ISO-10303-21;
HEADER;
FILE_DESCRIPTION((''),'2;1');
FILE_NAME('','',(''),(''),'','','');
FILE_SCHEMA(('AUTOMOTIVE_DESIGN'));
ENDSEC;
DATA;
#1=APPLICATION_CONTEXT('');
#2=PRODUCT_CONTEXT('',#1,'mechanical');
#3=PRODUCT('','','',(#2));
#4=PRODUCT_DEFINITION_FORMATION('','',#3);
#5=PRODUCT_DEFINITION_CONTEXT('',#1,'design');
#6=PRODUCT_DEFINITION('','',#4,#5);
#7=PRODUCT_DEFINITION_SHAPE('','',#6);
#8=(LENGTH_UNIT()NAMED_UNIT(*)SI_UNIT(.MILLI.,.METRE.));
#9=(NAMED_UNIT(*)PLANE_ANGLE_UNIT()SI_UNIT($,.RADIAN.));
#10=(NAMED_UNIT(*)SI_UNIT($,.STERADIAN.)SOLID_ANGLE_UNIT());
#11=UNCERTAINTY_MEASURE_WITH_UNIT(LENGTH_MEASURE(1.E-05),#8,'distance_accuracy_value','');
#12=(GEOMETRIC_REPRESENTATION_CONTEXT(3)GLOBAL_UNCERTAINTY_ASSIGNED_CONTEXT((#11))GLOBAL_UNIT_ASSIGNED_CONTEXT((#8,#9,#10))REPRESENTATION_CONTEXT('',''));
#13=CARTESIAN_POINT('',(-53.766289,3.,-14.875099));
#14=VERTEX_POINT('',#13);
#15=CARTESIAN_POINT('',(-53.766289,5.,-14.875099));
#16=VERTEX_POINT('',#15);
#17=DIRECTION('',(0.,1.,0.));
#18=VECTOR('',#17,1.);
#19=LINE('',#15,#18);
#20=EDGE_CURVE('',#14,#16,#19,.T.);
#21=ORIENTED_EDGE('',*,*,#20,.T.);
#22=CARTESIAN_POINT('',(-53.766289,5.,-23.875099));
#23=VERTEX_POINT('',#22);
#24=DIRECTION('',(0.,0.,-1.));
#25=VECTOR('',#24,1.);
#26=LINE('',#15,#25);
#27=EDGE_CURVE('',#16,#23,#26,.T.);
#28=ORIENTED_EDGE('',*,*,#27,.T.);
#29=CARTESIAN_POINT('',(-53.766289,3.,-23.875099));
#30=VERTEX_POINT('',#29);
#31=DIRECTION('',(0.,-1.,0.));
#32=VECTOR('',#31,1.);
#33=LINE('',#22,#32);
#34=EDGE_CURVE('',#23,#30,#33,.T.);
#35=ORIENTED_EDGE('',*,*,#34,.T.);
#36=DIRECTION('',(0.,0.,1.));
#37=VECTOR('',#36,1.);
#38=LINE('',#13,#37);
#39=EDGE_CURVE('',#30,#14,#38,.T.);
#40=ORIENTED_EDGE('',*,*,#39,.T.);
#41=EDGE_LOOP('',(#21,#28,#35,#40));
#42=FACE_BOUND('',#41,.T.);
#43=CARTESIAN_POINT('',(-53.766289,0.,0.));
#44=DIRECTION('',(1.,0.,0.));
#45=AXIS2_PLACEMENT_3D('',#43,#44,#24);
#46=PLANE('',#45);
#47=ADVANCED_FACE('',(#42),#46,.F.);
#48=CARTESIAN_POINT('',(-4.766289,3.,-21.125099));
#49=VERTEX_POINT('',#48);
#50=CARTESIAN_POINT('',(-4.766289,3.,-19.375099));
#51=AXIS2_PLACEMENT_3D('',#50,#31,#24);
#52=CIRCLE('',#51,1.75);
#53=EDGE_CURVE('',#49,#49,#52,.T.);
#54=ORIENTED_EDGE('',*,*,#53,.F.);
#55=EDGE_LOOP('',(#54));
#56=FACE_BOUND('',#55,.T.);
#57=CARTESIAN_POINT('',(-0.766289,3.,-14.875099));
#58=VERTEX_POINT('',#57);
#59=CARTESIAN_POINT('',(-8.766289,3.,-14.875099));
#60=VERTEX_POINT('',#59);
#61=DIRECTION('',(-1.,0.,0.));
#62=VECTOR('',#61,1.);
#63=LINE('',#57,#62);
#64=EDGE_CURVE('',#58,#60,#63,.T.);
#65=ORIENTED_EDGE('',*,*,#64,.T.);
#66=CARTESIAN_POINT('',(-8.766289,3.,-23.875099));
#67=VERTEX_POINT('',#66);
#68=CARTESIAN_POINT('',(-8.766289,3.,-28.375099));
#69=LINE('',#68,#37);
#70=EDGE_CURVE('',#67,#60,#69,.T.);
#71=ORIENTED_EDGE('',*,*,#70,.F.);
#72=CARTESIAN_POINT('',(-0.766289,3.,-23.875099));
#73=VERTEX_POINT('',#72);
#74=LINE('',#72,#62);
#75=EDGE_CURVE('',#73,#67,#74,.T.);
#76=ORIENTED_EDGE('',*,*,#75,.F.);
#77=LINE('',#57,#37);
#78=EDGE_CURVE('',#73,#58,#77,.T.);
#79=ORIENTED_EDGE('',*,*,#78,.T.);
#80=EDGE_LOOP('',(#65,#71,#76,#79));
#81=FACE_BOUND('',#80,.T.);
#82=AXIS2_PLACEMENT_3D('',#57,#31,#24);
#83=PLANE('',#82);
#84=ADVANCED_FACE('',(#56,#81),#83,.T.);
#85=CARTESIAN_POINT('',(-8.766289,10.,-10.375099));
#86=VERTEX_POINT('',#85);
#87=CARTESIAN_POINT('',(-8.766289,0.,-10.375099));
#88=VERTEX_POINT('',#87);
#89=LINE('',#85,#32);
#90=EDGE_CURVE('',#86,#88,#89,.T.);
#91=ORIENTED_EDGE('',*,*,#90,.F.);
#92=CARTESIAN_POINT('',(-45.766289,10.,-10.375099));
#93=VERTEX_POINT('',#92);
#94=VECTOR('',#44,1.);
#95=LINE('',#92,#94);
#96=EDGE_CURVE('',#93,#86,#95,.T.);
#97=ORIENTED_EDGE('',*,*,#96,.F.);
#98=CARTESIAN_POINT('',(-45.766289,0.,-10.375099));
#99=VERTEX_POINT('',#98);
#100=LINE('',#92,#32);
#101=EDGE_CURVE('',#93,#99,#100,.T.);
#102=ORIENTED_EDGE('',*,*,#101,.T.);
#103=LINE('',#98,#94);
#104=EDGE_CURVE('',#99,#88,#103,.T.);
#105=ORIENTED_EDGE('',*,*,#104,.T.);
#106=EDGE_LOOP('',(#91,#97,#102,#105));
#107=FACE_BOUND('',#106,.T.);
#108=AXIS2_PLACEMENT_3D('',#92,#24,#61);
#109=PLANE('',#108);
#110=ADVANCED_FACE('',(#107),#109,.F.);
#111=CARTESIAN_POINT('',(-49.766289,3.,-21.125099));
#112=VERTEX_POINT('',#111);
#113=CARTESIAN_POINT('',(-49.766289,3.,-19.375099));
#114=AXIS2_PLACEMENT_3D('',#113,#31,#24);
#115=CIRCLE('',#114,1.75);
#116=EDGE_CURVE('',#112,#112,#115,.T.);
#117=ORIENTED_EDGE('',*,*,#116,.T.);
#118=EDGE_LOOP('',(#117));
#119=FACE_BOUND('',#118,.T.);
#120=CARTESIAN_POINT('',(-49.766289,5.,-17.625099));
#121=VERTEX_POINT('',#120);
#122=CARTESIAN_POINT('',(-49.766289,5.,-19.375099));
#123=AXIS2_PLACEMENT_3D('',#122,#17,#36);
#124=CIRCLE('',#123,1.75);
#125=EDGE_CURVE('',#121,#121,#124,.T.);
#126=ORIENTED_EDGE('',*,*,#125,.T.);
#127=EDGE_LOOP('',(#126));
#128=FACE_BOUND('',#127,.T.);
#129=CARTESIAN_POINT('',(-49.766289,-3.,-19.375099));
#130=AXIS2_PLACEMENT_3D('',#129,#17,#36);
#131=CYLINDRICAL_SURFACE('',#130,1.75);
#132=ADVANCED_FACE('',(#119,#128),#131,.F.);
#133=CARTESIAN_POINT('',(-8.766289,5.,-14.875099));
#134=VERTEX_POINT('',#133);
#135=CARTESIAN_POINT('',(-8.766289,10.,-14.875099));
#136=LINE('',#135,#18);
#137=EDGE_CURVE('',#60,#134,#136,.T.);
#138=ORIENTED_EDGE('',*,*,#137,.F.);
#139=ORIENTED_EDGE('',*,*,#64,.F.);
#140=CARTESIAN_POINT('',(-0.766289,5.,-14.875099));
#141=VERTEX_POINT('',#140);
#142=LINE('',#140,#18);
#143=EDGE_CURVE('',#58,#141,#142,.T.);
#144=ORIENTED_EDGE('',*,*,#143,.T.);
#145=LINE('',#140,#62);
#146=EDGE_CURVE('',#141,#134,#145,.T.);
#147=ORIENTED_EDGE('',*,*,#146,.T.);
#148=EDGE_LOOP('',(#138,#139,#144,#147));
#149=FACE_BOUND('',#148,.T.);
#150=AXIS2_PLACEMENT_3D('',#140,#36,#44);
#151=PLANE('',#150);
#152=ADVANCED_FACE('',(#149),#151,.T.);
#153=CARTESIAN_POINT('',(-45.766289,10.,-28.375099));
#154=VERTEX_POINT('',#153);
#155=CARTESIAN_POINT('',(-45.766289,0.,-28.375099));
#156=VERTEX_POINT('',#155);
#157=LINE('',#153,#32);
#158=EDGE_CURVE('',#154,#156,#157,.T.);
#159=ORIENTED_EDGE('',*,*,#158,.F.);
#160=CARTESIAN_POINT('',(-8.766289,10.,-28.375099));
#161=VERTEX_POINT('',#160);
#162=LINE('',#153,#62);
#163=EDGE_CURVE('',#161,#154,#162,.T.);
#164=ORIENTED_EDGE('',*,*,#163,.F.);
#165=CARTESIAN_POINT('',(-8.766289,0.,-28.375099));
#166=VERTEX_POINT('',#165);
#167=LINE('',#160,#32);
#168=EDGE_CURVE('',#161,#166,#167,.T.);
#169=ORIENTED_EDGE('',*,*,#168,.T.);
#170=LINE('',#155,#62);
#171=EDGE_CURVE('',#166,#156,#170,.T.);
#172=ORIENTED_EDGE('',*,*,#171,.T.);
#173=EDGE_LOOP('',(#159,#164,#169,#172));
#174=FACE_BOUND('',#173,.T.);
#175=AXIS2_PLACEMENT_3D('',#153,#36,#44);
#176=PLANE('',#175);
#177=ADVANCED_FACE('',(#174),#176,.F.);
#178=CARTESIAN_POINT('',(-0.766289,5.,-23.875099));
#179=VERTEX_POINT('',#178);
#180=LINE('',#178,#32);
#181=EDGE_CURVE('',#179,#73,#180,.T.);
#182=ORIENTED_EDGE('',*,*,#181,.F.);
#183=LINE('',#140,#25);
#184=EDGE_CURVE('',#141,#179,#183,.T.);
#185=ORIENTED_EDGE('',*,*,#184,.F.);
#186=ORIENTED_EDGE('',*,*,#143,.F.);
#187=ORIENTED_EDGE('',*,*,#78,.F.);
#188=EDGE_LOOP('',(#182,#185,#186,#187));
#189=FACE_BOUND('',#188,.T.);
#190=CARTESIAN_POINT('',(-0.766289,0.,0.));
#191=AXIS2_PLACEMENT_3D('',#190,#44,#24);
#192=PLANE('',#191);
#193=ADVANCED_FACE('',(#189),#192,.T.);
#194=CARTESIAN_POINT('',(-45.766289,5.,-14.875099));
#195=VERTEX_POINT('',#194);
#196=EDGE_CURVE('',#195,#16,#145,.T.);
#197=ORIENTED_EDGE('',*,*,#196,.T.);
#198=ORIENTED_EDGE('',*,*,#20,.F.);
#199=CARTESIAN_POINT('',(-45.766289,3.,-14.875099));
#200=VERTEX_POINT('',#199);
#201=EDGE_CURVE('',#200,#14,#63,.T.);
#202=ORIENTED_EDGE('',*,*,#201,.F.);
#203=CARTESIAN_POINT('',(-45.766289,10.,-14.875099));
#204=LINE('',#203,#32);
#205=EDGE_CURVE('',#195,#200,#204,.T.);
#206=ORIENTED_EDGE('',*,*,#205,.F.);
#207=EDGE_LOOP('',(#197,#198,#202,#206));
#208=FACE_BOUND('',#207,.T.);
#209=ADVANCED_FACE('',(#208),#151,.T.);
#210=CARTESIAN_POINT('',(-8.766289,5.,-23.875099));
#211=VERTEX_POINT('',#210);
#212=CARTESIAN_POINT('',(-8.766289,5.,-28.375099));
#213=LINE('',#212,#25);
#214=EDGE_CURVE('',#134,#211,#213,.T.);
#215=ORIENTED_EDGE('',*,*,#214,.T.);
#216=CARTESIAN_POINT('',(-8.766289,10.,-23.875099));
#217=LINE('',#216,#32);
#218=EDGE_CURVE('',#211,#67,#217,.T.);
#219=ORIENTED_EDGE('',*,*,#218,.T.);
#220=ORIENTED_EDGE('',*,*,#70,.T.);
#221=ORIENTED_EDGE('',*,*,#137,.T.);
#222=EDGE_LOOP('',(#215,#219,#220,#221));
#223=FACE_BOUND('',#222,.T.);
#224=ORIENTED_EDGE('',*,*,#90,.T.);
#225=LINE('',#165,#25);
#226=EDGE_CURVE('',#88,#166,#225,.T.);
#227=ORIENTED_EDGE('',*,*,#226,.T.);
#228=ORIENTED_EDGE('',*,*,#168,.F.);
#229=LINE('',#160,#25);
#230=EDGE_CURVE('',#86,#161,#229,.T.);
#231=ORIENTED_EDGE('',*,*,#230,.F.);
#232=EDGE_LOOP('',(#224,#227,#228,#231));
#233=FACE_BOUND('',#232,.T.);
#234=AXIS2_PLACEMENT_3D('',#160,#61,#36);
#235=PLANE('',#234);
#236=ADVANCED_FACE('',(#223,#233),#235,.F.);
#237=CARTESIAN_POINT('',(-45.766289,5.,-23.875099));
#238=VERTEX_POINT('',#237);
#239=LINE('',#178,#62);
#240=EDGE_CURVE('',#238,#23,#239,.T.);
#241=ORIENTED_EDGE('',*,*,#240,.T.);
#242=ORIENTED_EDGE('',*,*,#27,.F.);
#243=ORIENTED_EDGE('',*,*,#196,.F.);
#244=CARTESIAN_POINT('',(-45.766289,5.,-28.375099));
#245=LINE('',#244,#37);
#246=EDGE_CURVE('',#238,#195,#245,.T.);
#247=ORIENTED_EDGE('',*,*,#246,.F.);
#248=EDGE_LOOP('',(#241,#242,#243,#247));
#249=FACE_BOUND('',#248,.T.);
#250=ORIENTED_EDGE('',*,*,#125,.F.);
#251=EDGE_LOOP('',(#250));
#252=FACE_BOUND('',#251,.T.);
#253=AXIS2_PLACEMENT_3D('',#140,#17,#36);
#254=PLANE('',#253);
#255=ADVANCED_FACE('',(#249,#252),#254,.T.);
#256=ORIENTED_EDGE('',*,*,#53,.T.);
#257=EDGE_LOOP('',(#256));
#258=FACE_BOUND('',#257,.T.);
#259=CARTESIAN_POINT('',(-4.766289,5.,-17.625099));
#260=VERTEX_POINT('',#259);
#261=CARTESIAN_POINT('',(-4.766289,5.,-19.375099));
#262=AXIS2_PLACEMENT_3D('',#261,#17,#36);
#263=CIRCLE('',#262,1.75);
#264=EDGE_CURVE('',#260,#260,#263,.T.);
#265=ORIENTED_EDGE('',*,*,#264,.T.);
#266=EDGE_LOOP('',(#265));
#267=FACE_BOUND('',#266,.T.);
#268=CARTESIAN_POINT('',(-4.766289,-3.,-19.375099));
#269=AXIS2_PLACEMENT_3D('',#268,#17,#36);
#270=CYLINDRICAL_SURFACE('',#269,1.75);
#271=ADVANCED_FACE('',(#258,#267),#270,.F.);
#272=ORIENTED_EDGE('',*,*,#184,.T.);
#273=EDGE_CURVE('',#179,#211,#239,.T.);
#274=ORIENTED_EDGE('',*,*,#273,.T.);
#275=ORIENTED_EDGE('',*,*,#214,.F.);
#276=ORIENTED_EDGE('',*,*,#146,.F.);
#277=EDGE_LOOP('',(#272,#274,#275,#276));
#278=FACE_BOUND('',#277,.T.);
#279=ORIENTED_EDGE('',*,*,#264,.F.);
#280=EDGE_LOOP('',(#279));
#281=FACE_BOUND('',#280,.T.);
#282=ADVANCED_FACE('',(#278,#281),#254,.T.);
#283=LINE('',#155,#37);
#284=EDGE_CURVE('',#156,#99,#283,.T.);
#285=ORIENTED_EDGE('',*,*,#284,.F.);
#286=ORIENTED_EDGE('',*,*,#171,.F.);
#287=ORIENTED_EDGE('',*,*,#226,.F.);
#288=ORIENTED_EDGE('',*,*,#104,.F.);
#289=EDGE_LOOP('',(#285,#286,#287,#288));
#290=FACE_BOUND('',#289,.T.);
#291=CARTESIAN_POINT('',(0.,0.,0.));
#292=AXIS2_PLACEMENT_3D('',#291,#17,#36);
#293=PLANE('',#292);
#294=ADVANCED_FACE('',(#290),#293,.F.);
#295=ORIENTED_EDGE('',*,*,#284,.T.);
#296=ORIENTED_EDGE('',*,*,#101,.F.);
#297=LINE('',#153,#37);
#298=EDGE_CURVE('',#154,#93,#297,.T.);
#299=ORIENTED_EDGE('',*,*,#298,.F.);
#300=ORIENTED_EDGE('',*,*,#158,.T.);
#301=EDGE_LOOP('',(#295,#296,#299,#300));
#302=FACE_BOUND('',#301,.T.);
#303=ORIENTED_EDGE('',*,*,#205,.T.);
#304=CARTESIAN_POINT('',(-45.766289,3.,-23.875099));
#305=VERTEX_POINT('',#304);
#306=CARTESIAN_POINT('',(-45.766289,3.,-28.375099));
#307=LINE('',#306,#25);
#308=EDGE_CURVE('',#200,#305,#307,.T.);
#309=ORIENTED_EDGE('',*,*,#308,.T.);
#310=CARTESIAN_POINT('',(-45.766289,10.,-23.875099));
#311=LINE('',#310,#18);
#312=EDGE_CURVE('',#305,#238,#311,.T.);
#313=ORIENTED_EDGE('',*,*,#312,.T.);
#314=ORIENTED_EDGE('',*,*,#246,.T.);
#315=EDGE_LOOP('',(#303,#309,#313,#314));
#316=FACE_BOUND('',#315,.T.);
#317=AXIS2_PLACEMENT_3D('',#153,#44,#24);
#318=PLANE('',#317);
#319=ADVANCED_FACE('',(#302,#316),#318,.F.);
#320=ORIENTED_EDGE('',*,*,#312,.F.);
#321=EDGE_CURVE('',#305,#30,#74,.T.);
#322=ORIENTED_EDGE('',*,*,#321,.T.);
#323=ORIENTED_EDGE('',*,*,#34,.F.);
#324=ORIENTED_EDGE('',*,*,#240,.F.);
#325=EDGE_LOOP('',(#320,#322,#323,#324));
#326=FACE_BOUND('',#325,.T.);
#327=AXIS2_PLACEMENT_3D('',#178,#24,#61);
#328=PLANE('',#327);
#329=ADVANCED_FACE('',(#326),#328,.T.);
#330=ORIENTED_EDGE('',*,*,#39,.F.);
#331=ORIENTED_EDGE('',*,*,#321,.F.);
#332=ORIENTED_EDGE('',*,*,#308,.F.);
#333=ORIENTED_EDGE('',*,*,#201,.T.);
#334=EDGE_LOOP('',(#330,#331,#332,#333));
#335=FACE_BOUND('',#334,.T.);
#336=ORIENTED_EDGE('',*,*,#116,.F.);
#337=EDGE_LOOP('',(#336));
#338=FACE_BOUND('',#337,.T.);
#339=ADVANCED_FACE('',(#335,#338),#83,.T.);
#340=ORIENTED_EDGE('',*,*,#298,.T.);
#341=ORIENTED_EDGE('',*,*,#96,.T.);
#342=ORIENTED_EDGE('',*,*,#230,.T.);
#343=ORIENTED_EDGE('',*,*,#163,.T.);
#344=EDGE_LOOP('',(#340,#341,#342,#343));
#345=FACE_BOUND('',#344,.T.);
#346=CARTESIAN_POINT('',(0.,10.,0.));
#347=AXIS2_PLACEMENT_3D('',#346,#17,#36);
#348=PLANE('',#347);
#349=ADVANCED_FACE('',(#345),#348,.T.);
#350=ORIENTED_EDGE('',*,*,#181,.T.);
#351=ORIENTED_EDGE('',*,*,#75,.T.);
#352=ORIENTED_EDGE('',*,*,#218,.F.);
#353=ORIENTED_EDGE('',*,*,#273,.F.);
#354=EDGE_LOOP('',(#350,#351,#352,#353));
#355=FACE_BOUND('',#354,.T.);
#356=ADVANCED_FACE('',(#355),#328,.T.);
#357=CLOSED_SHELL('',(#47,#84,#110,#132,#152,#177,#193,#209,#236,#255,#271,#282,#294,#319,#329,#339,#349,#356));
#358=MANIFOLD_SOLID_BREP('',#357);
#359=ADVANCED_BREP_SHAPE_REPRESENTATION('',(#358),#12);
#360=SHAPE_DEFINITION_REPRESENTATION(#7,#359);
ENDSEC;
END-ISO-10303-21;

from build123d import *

# Parameters (mm, degrees)
SKETCH_1_W           = 37
SKETCH_1_H           = 18
EXTRUDE_1_DEPTH      = 10
EXTRUDE_2_DEPTH      = 8
EXTRUDE_2_DEPTH_BACK = 45
SKETCH_2_W           = 9
SKETCH_2_H           = 2
SKETCH_3_R           = 1.75
CUT_EXTRUDE_1_DEPTH  = 8


with BuildPart() as part:
    # 草图1 → 凸台-拉伸1 (new body)
    with BuildSketch(Plane(origin=(0, 0, 0), x_dir=(1, 0, 0), z_dir=(0, 1, 0))):
        with Locations((-27.266289308, 19.375099371)):
            Rectangle(SKETCH_1_W, SKETCH_1_H)
    extrude(amount=EXTRUDE_1_DEPTH)

    # 草图2 → 凸台-拉伸2 (add, two sides: drawn at the far end of the back side and taken through both)
    with BuildSketch(Plane.ZY.offset(45.766289308).offset(-EXTRUDE_2_DEPTH_BACK)):
        with Locations((-19.375099371, 4)):
            Rectangle(SKETCH_2_W, SKETCH_2_H)
    extrude(amount=EXTRUDE_2_DEPTH + EXTRUDE_2_DEPTH_BACK)

    # 草图3 → 切除-拉伸1 (cut)
    with BuildSketch(Plane(origin=(0, 5, 0), x_dir=(1, 0, 0), z_dir=(0, 1, 0))):
        with Locations(Location((-49.766289308, 19.375099371, 0), (0, 0, 270))):
            Circle(SKETCH_3_R)
        with Locations(Location((-4.766289308, 19.375099371, 0), (0, 0, 270))):
            Circle(SKETCH_3_R)
    extrude(amount=-CUT_EXTRUDE_1_DEPTH, mode=Mode.SUBTRACT)


solid = part.part
